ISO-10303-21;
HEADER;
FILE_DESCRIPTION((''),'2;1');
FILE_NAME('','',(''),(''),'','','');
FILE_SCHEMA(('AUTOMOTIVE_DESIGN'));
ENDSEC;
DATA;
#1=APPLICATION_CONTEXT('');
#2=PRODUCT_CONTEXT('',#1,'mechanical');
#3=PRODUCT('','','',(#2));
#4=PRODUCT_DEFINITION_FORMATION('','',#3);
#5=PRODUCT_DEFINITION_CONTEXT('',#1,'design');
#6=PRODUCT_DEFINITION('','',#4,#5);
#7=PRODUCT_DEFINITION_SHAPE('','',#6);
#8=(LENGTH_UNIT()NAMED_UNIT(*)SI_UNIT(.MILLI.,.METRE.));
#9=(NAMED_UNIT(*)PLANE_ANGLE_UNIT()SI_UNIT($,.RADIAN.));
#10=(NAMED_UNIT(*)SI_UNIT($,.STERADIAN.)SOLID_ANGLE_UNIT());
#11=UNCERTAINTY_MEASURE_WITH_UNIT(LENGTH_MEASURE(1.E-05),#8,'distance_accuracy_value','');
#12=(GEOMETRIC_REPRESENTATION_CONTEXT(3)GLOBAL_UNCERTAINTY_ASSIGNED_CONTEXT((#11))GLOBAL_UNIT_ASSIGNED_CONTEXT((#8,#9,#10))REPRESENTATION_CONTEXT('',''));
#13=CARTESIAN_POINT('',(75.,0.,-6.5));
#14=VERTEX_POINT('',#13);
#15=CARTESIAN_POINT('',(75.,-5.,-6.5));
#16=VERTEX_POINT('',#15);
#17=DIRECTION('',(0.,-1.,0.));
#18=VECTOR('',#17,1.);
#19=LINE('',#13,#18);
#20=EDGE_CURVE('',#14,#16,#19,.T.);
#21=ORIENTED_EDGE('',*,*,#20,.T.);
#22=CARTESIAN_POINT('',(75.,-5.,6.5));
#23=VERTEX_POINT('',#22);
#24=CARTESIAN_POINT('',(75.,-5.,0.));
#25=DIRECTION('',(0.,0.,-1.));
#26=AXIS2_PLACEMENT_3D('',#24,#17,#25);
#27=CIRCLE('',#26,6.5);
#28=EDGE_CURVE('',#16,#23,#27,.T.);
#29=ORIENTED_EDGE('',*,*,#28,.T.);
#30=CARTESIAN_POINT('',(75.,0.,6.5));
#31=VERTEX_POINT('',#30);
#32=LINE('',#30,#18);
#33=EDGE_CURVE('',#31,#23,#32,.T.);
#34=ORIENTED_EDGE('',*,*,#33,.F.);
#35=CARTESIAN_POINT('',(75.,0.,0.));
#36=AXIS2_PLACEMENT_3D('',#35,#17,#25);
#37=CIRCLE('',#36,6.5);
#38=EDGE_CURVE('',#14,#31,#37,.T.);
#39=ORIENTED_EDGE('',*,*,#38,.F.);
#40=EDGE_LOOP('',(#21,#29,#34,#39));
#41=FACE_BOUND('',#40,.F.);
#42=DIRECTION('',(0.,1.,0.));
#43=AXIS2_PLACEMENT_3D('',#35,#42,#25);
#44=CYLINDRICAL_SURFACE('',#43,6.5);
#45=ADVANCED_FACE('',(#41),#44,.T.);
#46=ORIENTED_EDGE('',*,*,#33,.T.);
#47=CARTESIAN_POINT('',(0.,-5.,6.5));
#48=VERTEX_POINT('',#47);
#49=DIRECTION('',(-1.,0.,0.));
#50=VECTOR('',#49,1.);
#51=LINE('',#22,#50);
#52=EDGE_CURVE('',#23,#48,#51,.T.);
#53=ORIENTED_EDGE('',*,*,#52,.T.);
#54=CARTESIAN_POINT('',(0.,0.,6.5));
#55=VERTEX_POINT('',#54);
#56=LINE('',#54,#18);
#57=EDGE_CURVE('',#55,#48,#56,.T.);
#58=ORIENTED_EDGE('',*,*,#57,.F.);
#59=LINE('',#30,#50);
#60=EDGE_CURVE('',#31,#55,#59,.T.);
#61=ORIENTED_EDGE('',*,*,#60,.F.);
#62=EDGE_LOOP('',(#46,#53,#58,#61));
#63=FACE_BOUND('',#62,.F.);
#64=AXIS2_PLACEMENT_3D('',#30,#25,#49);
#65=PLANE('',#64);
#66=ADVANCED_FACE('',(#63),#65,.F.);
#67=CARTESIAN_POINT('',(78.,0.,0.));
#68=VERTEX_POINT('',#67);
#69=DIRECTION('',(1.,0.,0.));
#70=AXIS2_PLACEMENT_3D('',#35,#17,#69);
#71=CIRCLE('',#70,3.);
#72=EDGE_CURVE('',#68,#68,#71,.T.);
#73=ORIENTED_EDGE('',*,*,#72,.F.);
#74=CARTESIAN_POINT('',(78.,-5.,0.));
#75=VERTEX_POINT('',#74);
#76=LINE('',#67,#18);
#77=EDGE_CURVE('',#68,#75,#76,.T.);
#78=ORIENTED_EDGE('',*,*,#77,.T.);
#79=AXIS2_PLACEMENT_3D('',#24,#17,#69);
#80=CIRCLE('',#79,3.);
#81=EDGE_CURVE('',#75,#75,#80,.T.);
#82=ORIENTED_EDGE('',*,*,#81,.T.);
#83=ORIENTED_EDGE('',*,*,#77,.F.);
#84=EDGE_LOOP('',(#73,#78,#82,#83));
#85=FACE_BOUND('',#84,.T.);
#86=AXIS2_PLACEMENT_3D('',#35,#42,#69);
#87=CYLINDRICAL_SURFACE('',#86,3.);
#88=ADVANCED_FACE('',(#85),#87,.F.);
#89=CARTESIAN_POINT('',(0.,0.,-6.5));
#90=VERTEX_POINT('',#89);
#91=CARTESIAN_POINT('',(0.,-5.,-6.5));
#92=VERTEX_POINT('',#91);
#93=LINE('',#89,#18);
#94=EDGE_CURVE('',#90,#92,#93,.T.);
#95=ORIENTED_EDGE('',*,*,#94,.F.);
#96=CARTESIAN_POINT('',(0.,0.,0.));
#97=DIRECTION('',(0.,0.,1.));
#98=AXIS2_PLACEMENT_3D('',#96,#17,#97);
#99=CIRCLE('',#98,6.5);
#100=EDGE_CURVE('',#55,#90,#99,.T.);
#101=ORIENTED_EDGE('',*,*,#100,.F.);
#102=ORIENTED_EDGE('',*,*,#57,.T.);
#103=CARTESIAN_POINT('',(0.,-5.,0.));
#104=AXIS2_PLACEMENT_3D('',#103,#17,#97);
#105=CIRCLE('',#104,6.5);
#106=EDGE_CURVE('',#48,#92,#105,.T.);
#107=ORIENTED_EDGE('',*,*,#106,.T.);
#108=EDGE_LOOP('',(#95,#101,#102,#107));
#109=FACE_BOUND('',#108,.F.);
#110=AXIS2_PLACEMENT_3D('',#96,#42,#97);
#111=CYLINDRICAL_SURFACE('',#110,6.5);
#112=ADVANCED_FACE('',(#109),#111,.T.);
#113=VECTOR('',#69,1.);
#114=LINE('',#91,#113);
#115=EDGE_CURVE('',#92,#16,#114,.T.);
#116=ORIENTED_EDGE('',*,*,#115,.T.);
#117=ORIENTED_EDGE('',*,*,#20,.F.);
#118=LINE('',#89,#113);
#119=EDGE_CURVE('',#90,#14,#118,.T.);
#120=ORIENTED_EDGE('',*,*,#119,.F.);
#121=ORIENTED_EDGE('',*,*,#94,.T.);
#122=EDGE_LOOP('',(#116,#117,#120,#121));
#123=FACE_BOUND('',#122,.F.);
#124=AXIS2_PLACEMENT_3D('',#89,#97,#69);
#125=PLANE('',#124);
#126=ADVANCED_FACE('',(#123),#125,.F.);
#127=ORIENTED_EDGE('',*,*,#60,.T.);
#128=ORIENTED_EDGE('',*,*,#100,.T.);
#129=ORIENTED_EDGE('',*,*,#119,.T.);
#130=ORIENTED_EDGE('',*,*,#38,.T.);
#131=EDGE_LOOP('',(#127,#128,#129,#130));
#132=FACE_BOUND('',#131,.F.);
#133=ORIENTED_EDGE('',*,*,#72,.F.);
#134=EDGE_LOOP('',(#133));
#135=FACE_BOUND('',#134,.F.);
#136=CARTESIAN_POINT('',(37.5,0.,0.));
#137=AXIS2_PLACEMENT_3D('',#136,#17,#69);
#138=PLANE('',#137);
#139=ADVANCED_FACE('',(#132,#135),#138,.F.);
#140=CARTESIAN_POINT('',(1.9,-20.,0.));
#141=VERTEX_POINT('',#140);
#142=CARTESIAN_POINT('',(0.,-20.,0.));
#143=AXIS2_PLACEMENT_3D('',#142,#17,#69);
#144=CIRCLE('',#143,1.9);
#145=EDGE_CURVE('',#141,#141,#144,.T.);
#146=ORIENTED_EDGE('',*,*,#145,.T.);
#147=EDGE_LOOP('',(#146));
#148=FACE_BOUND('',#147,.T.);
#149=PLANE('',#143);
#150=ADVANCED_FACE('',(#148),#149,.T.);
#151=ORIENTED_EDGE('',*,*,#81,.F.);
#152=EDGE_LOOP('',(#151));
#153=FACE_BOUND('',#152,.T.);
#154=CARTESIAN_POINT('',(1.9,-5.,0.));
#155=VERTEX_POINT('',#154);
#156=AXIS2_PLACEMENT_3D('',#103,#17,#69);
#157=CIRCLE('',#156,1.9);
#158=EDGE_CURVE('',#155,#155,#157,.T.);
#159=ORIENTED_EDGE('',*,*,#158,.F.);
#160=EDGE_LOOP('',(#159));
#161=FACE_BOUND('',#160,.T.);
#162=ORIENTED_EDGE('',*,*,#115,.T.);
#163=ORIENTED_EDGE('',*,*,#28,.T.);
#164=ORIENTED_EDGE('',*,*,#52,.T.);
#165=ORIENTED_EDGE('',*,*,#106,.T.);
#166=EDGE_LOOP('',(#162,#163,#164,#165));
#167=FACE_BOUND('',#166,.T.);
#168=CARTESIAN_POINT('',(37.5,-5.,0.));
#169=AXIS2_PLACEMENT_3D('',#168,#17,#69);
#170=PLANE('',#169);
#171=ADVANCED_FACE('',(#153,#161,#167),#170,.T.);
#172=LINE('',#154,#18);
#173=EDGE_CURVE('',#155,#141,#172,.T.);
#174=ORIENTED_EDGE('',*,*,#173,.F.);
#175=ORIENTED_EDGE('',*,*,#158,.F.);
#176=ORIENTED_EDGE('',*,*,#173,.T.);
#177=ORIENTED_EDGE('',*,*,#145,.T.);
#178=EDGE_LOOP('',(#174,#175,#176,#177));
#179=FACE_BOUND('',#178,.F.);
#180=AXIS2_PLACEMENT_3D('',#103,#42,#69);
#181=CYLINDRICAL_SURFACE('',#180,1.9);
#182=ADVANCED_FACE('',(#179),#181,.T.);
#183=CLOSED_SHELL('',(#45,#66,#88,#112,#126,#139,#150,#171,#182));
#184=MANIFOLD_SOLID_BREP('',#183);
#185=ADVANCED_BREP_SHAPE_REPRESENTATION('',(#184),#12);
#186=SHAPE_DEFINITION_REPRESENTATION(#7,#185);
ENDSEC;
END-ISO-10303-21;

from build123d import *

# Parameters (mm, degrees)
F0_R     = 3
F1_DEPTH = 5
F2_R     = 1.9
F3_DEPTH = 15


with BuildPart() as f1:
    # F0 (on Front) → F1 (new body)
    with BuildSketch(Plane.XZ):
        with BuildLine():
            Line((75, 6.5), (0, 6.5))
            ThreePointArc((0, 6.5), (-6.5, 0), (0, -6.5))
            Line((0, -6.5), (75, -6.5))
            ThreePointArc((75, -6.5), (81.5, 0), (75, 6.5))
        make_face()
        with Locations((75, 0)):
            Circle(F0_R, mode=Mode.SUBTRACT)
    extrude(amount=F1_DEPTH)

    # F2 (on face) → F3 (join)
    with BuildSketch(Plane.XZ.offset(5)):
        Circle(F2_R)
    extrude(amount=F3_DEPTH)


solid = f1.part
